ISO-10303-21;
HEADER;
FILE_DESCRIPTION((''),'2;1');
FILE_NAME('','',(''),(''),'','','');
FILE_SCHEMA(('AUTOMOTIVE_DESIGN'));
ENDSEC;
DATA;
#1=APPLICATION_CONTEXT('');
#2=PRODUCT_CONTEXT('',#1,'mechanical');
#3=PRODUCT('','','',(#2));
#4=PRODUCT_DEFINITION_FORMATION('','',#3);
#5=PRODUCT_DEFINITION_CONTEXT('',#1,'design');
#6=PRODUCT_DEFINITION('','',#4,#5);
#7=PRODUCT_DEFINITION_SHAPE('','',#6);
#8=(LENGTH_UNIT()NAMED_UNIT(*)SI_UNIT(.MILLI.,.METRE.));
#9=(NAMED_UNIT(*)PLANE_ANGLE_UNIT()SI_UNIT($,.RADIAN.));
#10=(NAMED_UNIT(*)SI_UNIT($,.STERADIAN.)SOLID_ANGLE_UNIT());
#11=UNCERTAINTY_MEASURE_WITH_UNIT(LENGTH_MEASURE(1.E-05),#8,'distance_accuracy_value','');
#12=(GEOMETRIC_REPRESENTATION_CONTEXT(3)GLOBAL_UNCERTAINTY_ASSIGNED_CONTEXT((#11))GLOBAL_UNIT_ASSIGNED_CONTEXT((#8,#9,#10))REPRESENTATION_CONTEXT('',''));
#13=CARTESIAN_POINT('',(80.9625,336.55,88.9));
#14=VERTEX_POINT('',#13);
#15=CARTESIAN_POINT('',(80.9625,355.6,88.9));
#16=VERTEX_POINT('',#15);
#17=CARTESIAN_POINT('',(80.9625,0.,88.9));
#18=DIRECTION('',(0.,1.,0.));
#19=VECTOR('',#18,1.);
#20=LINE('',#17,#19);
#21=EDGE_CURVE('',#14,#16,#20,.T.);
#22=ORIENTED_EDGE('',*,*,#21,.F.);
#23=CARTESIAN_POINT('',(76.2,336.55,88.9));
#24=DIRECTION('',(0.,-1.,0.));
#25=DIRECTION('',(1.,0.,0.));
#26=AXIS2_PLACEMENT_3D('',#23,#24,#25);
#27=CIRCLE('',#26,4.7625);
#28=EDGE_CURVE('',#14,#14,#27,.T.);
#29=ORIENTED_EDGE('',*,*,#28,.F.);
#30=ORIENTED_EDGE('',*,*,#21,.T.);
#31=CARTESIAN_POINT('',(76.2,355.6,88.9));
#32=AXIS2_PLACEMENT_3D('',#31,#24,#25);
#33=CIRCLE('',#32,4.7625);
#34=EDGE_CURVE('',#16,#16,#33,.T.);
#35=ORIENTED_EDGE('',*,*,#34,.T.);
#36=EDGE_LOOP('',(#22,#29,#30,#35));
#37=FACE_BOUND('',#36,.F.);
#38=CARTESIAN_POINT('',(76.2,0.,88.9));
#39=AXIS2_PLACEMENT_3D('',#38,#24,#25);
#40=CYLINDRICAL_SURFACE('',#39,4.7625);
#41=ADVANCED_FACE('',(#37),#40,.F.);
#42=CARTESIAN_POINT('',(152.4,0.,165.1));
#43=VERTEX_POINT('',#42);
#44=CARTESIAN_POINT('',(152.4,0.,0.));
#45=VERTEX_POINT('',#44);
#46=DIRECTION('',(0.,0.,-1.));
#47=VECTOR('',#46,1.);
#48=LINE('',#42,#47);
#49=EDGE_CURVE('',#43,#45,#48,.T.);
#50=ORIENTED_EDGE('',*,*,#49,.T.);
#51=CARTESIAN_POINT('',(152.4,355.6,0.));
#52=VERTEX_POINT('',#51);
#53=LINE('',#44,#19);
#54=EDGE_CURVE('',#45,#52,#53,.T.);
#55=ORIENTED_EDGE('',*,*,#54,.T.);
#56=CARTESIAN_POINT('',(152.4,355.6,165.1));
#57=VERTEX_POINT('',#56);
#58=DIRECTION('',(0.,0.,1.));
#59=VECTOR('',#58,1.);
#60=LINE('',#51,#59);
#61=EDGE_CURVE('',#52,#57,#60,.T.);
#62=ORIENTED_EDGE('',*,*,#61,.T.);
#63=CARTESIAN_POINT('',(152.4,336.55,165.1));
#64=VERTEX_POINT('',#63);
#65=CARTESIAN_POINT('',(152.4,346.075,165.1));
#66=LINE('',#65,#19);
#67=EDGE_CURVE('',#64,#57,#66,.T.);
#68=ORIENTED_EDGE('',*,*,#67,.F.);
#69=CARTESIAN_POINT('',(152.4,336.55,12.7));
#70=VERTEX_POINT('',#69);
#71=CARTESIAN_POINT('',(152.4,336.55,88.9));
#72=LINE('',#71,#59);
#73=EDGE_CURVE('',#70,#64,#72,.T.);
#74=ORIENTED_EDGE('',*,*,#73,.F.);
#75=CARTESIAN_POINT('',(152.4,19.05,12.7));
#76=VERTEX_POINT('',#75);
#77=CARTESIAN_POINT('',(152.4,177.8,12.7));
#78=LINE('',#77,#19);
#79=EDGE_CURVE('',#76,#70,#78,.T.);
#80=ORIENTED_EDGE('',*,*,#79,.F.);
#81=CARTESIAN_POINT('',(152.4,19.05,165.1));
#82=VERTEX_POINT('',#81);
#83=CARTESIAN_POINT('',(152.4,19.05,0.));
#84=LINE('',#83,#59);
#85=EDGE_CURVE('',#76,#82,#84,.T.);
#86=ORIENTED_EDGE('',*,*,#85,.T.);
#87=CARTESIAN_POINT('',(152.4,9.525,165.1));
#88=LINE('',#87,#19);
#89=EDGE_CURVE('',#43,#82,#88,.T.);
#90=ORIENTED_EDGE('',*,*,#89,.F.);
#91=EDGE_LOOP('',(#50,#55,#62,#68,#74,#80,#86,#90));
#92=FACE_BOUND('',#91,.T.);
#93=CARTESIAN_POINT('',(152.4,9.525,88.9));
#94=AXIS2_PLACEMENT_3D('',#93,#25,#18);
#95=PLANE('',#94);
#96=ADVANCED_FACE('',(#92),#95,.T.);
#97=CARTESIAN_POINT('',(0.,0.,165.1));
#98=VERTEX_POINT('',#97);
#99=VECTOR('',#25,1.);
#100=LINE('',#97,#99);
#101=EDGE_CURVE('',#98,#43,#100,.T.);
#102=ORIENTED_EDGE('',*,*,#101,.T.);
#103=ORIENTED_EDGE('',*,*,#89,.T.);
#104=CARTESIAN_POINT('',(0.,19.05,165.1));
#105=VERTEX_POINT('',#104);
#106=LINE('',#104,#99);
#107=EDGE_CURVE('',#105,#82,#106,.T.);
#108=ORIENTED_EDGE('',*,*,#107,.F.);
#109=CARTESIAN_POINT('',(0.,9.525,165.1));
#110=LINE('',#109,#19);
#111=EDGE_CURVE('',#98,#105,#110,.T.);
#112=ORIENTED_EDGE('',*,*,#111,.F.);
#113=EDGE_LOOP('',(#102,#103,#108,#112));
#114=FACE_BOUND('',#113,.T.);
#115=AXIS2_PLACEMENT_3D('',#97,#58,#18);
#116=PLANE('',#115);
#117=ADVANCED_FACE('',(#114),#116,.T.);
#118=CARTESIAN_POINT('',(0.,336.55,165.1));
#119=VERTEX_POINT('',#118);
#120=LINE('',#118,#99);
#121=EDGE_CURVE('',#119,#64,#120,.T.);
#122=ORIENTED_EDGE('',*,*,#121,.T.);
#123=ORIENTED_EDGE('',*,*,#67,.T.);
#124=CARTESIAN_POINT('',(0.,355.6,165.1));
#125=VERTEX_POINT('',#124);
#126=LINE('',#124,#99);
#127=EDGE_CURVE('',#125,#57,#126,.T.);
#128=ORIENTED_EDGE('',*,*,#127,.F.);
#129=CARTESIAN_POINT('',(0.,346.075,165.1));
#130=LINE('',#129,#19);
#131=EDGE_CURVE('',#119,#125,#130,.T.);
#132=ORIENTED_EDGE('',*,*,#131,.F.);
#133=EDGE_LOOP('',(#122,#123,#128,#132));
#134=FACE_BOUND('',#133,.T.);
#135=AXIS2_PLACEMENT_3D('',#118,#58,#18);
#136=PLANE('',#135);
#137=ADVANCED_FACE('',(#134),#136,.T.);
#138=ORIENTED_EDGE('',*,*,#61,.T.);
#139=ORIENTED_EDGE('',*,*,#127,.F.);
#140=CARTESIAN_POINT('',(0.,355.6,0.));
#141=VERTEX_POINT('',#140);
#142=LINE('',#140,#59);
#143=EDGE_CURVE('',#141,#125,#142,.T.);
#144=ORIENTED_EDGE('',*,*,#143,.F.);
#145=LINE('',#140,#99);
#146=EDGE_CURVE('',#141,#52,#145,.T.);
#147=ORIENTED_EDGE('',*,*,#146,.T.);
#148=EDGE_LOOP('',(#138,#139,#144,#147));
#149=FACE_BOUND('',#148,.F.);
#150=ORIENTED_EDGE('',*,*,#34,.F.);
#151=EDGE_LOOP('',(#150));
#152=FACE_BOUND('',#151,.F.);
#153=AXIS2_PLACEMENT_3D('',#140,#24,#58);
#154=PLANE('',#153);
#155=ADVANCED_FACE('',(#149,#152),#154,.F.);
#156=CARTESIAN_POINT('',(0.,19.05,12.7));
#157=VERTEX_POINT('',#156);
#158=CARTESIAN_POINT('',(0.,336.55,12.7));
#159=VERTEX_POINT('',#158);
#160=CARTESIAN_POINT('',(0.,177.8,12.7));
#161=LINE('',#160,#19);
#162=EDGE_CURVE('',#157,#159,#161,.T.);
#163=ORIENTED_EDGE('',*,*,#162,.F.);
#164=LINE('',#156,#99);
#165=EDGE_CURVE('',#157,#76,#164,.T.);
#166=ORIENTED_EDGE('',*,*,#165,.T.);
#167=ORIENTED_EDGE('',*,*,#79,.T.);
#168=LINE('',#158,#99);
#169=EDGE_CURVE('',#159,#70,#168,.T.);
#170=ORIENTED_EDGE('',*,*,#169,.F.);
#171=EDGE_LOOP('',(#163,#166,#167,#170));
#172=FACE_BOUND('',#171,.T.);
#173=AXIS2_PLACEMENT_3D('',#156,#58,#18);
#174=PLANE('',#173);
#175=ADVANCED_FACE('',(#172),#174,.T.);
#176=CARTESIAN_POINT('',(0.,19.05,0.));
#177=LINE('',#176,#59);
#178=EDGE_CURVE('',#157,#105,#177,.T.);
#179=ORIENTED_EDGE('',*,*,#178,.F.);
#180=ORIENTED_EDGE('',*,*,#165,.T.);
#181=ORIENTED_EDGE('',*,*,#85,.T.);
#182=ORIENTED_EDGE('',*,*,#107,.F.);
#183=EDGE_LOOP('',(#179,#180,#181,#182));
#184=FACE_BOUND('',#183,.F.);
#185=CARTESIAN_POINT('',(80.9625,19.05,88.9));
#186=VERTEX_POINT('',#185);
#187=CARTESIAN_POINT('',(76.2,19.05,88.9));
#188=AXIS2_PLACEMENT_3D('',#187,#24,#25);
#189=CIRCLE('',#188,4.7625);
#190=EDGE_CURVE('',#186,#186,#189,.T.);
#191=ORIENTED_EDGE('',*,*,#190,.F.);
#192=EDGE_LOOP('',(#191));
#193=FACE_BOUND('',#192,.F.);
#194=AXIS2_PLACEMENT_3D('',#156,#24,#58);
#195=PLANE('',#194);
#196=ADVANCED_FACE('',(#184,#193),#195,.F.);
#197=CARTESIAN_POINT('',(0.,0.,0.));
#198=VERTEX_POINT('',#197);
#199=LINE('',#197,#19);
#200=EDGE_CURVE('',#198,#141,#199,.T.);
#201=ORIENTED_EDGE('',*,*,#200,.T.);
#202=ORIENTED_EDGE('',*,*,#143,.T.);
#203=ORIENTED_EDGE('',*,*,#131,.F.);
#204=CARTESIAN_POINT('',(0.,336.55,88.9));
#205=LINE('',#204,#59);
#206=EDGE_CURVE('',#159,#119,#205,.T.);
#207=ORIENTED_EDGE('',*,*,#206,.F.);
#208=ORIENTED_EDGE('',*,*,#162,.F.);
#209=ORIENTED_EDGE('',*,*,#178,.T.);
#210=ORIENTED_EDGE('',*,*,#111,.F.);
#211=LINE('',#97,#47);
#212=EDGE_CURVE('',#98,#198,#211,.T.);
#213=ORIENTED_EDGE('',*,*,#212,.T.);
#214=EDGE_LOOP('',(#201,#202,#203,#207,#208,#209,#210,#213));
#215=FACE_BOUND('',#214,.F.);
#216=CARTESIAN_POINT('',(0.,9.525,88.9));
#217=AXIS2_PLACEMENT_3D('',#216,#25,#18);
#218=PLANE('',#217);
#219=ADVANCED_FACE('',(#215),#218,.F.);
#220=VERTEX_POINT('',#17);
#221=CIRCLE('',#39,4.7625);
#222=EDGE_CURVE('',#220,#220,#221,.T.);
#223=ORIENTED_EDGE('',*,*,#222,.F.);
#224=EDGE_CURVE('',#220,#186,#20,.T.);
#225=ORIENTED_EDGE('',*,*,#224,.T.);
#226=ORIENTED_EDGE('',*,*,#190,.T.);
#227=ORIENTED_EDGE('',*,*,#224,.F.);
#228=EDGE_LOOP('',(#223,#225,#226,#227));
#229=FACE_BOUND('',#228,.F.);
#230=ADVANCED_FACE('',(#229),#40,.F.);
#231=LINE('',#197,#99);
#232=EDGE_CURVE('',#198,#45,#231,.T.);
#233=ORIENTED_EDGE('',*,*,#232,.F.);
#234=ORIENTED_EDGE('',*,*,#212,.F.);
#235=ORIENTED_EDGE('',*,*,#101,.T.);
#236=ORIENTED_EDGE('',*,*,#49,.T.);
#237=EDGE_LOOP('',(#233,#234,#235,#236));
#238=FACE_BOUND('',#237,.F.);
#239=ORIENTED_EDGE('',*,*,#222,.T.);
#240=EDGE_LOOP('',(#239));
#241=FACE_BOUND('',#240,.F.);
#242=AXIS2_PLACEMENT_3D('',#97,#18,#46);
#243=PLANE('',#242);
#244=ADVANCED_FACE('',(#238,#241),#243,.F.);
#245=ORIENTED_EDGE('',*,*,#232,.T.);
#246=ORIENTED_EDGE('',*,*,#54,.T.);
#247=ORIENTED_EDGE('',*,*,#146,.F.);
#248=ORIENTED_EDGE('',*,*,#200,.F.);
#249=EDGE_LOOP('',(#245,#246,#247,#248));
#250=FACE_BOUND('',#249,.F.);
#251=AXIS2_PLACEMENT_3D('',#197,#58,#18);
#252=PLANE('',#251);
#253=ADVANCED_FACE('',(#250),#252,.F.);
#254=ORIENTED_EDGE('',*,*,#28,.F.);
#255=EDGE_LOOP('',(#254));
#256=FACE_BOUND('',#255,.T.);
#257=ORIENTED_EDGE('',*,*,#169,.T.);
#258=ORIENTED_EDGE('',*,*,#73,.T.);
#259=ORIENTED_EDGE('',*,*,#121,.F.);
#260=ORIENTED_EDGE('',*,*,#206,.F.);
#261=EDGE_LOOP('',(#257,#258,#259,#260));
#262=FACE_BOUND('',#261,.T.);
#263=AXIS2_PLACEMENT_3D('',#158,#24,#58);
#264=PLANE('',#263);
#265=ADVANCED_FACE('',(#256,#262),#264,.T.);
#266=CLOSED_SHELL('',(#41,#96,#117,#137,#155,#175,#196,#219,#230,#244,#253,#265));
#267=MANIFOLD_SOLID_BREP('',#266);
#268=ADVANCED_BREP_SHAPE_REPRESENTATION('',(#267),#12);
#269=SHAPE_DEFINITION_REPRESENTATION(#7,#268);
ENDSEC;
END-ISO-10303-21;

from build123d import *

# Parameters (mm, degrees)
F0_W     = 19.05
F0_H     = 152.4
F0_H_2   = 12.7
F0_W_2   = 317.5
F1_DEPTH = 152.4
F2_R     = 4.7625
F3_DEPTH = 406.4


with BuildPart() as f1:
    # F0 (on Right) → F1 (new body)
    with BuildSketch(Plane.YZ):
        with Locations((9.525, 88.9)):
            Rectangle(F0_W, F0_H)
        with Locations((9.525, 6.35)):
            Rectangle(F0_W, F0_H_2)
        with Locations((177.8, 6.35)):
            Rectangle(F0_W_2, F0_H_2)
        with Locations((346.075, 88.9)):
            Rectangle(F0_W, F0_H)
        with Locations((346.075, 6.35)):
            Rectangle(F0_W, F0_H_2)
    extrude(amount=F1_DEPTH)

    # F2 (on Front) → F3 (cut)
    with BuildSketch(Plane.XZ):
        with Locations((76.2, 88.9)):
            Circle(F2_R)
    extrude(amount=-F3_DEPTH, mode=Mode.SUBTRACT)


solid = f1.part
